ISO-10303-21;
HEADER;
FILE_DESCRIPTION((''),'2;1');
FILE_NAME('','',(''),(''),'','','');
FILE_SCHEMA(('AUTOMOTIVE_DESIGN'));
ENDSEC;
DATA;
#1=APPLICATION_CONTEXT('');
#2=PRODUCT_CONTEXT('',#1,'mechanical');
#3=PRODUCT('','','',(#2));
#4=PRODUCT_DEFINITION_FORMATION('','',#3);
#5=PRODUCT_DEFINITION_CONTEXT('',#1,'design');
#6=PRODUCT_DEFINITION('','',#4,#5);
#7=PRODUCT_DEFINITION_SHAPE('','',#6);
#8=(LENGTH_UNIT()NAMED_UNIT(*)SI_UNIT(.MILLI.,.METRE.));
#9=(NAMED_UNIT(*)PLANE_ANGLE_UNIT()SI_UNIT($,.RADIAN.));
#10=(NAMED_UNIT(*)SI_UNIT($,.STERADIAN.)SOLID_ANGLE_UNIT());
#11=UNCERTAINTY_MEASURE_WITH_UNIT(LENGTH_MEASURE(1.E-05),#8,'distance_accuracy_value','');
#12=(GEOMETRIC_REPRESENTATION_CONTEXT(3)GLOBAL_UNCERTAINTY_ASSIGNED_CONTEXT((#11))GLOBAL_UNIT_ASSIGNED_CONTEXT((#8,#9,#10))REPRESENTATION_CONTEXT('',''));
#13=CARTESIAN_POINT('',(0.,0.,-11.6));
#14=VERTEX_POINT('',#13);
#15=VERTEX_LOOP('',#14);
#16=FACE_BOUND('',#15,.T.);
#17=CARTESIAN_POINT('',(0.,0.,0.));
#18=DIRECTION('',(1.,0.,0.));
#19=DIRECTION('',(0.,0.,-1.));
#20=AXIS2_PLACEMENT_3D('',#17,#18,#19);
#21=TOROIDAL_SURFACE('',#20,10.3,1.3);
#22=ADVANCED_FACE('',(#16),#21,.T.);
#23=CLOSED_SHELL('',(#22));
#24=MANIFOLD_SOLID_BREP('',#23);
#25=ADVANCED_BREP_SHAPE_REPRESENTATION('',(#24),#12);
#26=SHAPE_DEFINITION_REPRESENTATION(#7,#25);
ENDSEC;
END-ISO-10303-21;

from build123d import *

# Parameters (mm, degrees)
SKETCH_1_R = 1.3


with BuildPart() as part:
    # 草图1 → 旋转1 (revolve)
    with BuildSketch(Plane.XY, mode=Mode.PRIVATE) as revolve_1_sk:
        with Locations((0, 10.3)):
            Circle(SKETCH_1_R)
    revolve(revolve_1_sk.sketch.rotate(Axis((8.706451217, 0, 0), (-1, 0, 0)), 90), axis=Axis((8.706451217, 0, 0), (-1, 0, 0)))


solid = part.part
